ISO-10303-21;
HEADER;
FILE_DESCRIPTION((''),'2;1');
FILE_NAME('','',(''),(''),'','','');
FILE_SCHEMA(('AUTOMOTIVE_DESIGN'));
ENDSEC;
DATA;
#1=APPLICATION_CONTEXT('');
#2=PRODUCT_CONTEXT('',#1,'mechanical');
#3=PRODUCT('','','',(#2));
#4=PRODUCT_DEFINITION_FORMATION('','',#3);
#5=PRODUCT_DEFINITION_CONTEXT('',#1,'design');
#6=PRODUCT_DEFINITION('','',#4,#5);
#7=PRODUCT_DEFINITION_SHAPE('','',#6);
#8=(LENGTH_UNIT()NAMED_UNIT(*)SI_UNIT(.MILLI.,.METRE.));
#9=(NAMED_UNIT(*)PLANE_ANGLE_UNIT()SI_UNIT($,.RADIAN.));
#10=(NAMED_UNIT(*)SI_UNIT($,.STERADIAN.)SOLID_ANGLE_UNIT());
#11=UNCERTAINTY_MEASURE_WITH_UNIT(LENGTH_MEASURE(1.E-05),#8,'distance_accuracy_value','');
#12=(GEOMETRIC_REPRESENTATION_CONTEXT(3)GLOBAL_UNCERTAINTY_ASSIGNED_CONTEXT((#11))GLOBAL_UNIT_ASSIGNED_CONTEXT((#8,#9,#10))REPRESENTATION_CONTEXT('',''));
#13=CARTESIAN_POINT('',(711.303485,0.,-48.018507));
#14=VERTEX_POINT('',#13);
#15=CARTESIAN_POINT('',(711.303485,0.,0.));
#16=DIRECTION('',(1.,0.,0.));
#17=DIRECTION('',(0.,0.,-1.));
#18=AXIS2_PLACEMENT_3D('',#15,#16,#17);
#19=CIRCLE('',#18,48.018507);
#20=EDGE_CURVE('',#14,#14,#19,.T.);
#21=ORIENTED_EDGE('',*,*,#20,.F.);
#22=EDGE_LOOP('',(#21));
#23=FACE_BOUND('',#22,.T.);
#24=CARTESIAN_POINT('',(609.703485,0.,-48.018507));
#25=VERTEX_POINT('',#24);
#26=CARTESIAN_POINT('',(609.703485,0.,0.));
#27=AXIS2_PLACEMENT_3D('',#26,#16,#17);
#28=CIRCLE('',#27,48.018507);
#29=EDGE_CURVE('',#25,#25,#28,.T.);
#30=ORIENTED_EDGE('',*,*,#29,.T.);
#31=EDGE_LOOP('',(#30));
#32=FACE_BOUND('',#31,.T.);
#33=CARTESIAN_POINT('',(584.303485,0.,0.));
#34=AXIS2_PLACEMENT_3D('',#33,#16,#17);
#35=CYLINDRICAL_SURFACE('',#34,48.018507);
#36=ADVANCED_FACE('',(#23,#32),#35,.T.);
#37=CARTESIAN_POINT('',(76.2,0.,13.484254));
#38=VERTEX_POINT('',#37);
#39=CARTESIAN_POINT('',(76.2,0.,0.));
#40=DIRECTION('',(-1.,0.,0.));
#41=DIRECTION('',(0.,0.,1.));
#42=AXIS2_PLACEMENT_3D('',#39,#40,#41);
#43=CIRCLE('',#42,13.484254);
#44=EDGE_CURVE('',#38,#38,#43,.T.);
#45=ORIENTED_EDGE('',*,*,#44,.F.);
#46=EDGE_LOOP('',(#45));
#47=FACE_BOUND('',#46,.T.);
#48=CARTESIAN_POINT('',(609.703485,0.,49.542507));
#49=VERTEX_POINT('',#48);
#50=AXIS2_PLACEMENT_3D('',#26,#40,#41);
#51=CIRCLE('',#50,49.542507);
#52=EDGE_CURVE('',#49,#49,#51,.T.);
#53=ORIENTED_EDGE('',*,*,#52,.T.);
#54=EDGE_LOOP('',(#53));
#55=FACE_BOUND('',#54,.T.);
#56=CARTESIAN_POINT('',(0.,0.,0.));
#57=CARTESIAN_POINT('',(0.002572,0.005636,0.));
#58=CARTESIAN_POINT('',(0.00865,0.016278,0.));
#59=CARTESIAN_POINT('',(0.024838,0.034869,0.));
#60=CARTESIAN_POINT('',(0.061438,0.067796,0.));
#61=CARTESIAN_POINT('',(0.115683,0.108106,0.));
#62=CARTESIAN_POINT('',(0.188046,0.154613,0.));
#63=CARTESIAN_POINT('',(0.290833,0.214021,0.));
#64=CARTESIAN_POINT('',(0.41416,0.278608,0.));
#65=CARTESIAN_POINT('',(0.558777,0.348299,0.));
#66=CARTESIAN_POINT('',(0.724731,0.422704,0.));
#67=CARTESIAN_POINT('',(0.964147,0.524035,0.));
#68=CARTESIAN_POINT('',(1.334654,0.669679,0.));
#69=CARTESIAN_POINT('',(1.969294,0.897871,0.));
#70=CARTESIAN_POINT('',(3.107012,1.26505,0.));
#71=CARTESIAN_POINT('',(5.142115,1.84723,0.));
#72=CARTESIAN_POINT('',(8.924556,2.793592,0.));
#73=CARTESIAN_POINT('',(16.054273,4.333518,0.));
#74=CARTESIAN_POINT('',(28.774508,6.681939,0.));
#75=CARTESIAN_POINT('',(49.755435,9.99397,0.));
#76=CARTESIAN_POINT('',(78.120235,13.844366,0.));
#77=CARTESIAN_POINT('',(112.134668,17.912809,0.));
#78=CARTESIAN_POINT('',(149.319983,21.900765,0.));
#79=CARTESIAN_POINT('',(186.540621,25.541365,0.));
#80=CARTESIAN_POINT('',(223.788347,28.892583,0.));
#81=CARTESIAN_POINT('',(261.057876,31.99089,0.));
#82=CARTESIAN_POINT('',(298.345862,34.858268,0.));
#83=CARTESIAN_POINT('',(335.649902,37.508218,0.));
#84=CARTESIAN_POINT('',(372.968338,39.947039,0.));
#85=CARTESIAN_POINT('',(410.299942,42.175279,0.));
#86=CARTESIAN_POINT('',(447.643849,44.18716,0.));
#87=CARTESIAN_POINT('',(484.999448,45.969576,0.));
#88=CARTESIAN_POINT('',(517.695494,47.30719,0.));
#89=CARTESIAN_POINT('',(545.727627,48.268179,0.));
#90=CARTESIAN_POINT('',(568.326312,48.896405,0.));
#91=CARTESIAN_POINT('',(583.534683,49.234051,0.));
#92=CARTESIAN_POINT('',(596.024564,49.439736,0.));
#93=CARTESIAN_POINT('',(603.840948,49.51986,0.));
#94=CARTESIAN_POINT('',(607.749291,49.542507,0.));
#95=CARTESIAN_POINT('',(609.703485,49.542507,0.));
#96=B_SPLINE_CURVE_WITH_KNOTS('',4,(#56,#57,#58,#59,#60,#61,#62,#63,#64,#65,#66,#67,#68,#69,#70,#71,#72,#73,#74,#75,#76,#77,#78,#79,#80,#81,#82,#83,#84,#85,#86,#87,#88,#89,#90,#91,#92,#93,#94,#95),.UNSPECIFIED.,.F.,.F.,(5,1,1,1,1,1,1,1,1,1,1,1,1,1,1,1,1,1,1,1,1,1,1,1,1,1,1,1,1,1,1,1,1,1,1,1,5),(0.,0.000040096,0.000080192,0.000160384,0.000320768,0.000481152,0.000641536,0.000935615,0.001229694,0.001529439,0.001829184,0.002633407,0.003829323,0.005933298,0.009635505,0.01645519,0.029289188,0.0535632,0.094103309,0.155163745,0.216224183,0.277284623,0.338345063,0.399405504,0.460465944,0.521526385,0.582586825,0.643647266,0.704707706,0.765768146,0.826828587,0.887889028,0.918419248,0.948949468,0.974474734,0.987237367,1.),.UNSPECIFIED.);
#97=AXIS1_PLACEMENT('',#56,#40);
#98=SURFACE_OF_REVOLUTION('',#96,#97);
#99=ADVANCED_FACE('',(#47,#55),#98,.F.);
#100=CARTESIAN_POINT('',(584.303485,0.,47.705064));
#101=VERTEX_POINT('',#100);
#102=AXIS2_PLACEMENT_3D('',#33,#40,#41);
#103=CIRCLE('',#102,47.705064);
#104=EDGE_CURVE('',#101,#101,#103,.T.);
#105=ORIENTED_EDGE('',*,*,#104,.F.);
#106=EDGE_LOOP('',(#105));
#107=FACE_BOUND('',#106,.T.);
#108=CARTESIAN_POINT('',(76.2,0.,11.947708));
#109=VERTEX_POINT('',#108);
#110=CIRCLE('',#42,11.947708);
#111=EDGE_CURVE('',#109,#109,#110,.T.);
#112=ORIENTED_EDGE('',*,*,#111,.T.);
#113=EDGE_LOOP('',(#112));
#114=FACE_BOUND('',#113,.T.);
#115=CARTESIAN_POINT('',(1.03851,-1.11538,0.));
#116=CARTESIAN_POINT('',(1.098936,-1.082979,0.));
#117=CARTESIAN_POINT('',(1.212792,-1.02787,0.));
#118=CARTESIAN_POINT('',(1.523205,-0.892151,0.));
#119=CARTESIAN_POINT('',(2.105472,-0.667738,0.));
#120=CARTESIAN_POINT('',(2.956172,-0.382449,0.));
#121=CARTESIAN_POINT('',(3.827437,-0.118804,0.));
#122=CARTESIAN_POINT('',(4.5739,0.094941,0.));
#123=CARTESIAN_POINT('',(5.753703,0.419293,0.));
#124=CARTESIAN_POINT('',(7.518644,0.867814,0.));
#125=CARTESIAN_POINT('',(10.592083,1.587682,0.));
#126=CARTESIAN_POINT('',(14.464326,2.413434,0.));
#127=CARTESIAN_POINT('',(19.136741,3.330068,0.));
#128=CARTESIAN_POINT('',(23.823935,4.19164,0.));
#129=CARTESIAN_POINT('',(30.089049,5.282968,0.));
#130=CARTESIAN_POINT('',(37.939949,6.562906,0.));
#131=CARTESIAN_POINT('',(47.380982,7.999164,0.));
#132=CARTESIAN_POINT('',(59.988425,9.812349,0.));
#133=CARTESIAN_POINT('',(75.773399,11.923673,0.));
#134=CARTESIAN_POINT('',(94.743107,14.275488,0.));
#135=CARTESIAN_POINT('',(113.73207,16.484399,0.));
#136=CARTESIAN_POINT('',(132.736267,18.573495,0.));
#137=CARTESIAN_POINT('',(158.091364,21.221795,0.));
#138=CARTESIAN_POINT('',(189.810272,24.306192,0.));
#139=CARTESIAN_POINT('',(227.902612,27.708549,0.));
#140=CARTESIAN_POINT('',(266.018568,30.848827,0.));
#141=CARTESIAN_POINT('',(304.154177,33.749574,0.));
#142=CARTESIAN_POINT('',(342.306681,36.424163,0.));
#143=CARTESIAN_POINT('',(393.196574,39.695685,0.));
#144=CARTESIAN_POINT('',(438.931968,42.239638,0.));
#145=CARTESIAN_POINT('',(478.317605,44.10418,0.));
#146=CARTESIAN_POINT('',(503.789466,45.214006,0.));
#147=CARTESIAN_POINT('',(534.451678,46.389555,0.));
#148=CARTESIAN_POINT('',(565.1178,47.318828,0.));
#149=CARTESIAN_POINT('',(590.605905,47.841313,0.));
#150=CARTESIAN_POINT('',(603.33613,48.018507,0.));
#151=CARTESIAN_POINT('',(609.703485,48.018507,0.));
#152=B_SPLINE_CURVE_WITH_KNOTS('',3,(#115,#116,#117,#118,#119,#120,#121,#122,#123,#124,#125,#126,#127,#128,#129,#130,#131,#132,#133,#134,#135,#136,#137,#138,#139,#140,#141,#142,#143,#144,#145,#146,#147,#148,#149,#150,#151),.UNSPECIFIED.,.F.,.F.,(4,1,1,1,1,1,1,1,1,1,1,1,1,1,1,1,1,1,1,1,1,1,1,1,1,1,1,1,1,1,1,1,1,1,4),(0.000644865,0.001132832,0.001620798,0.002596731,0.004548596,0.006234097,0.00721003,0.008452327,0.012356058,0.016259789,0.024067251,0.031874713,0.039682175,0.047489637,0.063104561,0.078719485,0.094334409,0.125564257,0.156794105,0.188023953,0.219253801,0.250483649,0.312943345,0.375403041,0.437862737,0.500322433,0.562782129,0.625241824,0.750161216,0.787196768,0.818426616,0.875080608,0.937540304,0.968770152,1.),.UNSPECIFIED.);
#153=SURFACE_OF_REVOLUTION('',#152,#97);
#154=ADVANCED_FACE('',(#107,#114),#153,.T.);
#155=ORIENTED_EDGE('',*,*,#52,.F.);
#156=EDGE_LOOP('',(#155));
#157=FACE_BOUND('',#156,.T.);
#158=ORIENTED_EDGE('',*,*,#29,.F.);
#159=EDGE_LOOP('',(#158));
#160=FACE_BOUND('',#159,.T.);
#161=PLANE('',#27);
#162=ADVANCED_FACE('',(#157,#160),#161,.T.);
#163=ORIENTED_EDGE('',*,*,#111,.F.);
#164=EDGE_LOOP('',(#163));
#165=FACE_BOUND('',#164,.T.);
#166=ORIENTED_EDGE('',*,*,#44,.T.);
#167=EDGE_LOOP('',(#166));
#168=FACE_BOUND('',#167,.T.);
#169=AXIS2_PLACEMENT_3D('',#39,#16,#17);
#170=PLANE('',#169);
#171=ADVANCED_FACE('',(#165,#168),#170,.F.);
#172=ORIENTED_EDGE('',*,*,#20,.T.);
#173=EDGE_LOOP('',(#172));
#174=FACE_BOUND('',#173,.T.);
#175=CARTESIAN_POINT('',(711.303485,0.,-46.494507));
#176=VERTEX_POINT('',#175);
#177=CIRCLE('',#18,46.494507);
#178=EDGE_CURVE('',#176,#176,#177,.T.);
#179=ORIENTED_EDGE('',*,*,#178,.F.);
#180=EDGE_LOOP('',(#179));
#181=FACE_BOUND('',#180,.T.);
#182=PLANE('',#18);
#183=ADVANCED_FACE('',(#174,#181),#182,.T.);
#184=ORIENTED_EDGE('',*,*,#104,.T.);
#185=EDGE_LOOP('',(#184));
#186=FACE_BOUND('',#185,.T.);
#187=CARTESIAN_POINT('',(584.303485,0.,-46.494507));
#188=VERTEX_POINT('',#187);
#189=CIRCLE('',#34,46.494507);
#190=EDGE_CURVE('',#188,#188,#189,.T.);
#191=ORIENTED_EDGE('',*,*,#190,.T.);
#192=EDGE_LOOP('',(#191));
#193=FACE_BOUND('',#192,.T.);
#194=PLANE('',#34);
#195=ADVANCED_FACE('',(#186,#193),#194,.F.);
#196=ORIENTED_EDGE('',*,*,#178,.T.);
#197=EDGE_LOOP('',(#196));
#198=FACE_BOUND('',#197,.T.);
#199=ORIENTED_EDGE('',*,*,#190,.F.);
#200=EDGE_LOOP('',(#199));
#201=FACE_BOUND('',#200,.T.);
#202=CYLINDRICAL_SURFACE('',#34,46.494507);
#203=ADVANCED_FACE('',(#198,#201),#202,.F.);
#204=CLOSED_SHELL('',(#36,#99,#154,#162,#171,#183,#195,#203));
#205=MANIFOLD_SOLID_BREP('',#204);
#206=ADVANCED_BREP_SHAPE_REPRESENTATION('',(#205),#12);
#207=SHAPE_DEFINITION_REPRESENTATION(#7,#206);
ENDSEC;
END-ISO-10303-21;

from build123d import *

# Parameters (mm, degrees)
SKETCH2_R                = 48.018506502
SKETCH2_R_2              = 46.494506502
BOSS_EXTRUDE1_DEPTH      = 101.6
BOSS_EXTRUDE1_DEPTH_BACK = 25.4


with BuildPart() as part:
    # Sketch1 → Revolve1 (revolve)
    with BuildSketch(Plane.XY):
        with BuildLine():
            add(Edge.make_bspline(
                [(76.2, 13.484253633), (80.541051361, 14.042240397), (94.160445602, 15.752086645), (117.07910842, 18.443077896), (149.319983258, 21.900765224), (186.540620523, 25.541365484), (223.788346525, 28.892582721), (261.057875937, 31.9908904), (298.345861542, 34.85826765), (335.64990165, 37.508218109), (372.968338264, 39.947038684), (410.299941718, 42.17527884), (447.643848849, 44.187159503), (484.999447818, 45.969575774), (517.695494354, 47.307189589), (545.72762747, 48.2681791), (568.326311807, 48.896405146), (583.534683102, 49.234051112), (596.024563936, 49.439736112), (603.840948359, 49.519860454), (607.749290513, 49.542506502), (609.703485351, 49.542506502)],
                knots=[0.126579539, 0.126579539, 0.126579539, 0.126579539, 0.126579539, 0.155163745, 0.216224183, 0.277284623, 0.338345063, 0.399405504, 0.460465944, 0.521526385, 0.582586825, 0.643647266, 0.704707706, 0.765768146, 0.826828587, 0.887889028, 0.918419248, 0.948949468, 0.974474734, 0.987237367, 1, 1, 1, 1, 1], degree=4))
            Line((76.2, 13.484253633), (76.2, 11.947708493))
            add(Edge.make_bspline(
                [(76.2, 11.947708493), (82.378156316, 12.742501267), (94.884009221, 14.2918782), (113.732070411, 16.484399436), (132.736266708, 18.573495042), (158.091363842, 21.221794503), (189.8102718, 24.306192238), (227.902611515, 27.708549317), (266.018568132, 30.848827321), (304.154176988, 33.749573708), (342.306680767, 36.424163266), (393.196574129, 39.695685424), (438.931967907, 42.23963824), (478.317604938, 44.104180436), (503.789466008, 45.214005638), (534.451677838, 46.389555069), (565.117800073, 47.318828106), (590.605905239, 47.841312968), (603.336130237, 48.018506502), (609.703485351, 48.018506502)],
                knots=[0.126259456, 0.126259456, 0.126259456, 0.126259456, 0.156794105, 0.188023953, 0.219253801, 0.250483649, 0.312943345, 0.375403041, 0.437862737, 0.500322433, 0.562782129, 0.625241824, 0.750161216, 0.787196768, 0.818426616, 0.875080608, 0.937540304, 0.968770152, 1, 1, 1, 1], degree=3))
            Line((609.703485351, 48.018506502), (609.703485351, 49.542506502))
        make_face()
    revolve(axis=Axis((0, 0, 0), (1, 0, 0)))

    # Sketch2 → Boss-Extrude1 (add, two sides)
    with BuildSketch(Plane(origin=(609.703485351, 0, 0), x_dir=(0, 0, -1), z_dir=(1, 0, 0))) as boss_extrude1_sk:
        Circle(SKETCH2_R)
        Circle(SKETCH2_R_2, mode=Mode.SUBTRACT)
    extrude(amount=BOSS_EXTRUDE1_DEPTH)
    extrude(boss_extrude1_sk.sketch, amount=-BOSS_EXTRUDE1_DEPTH_BACK)


solid = part.part
